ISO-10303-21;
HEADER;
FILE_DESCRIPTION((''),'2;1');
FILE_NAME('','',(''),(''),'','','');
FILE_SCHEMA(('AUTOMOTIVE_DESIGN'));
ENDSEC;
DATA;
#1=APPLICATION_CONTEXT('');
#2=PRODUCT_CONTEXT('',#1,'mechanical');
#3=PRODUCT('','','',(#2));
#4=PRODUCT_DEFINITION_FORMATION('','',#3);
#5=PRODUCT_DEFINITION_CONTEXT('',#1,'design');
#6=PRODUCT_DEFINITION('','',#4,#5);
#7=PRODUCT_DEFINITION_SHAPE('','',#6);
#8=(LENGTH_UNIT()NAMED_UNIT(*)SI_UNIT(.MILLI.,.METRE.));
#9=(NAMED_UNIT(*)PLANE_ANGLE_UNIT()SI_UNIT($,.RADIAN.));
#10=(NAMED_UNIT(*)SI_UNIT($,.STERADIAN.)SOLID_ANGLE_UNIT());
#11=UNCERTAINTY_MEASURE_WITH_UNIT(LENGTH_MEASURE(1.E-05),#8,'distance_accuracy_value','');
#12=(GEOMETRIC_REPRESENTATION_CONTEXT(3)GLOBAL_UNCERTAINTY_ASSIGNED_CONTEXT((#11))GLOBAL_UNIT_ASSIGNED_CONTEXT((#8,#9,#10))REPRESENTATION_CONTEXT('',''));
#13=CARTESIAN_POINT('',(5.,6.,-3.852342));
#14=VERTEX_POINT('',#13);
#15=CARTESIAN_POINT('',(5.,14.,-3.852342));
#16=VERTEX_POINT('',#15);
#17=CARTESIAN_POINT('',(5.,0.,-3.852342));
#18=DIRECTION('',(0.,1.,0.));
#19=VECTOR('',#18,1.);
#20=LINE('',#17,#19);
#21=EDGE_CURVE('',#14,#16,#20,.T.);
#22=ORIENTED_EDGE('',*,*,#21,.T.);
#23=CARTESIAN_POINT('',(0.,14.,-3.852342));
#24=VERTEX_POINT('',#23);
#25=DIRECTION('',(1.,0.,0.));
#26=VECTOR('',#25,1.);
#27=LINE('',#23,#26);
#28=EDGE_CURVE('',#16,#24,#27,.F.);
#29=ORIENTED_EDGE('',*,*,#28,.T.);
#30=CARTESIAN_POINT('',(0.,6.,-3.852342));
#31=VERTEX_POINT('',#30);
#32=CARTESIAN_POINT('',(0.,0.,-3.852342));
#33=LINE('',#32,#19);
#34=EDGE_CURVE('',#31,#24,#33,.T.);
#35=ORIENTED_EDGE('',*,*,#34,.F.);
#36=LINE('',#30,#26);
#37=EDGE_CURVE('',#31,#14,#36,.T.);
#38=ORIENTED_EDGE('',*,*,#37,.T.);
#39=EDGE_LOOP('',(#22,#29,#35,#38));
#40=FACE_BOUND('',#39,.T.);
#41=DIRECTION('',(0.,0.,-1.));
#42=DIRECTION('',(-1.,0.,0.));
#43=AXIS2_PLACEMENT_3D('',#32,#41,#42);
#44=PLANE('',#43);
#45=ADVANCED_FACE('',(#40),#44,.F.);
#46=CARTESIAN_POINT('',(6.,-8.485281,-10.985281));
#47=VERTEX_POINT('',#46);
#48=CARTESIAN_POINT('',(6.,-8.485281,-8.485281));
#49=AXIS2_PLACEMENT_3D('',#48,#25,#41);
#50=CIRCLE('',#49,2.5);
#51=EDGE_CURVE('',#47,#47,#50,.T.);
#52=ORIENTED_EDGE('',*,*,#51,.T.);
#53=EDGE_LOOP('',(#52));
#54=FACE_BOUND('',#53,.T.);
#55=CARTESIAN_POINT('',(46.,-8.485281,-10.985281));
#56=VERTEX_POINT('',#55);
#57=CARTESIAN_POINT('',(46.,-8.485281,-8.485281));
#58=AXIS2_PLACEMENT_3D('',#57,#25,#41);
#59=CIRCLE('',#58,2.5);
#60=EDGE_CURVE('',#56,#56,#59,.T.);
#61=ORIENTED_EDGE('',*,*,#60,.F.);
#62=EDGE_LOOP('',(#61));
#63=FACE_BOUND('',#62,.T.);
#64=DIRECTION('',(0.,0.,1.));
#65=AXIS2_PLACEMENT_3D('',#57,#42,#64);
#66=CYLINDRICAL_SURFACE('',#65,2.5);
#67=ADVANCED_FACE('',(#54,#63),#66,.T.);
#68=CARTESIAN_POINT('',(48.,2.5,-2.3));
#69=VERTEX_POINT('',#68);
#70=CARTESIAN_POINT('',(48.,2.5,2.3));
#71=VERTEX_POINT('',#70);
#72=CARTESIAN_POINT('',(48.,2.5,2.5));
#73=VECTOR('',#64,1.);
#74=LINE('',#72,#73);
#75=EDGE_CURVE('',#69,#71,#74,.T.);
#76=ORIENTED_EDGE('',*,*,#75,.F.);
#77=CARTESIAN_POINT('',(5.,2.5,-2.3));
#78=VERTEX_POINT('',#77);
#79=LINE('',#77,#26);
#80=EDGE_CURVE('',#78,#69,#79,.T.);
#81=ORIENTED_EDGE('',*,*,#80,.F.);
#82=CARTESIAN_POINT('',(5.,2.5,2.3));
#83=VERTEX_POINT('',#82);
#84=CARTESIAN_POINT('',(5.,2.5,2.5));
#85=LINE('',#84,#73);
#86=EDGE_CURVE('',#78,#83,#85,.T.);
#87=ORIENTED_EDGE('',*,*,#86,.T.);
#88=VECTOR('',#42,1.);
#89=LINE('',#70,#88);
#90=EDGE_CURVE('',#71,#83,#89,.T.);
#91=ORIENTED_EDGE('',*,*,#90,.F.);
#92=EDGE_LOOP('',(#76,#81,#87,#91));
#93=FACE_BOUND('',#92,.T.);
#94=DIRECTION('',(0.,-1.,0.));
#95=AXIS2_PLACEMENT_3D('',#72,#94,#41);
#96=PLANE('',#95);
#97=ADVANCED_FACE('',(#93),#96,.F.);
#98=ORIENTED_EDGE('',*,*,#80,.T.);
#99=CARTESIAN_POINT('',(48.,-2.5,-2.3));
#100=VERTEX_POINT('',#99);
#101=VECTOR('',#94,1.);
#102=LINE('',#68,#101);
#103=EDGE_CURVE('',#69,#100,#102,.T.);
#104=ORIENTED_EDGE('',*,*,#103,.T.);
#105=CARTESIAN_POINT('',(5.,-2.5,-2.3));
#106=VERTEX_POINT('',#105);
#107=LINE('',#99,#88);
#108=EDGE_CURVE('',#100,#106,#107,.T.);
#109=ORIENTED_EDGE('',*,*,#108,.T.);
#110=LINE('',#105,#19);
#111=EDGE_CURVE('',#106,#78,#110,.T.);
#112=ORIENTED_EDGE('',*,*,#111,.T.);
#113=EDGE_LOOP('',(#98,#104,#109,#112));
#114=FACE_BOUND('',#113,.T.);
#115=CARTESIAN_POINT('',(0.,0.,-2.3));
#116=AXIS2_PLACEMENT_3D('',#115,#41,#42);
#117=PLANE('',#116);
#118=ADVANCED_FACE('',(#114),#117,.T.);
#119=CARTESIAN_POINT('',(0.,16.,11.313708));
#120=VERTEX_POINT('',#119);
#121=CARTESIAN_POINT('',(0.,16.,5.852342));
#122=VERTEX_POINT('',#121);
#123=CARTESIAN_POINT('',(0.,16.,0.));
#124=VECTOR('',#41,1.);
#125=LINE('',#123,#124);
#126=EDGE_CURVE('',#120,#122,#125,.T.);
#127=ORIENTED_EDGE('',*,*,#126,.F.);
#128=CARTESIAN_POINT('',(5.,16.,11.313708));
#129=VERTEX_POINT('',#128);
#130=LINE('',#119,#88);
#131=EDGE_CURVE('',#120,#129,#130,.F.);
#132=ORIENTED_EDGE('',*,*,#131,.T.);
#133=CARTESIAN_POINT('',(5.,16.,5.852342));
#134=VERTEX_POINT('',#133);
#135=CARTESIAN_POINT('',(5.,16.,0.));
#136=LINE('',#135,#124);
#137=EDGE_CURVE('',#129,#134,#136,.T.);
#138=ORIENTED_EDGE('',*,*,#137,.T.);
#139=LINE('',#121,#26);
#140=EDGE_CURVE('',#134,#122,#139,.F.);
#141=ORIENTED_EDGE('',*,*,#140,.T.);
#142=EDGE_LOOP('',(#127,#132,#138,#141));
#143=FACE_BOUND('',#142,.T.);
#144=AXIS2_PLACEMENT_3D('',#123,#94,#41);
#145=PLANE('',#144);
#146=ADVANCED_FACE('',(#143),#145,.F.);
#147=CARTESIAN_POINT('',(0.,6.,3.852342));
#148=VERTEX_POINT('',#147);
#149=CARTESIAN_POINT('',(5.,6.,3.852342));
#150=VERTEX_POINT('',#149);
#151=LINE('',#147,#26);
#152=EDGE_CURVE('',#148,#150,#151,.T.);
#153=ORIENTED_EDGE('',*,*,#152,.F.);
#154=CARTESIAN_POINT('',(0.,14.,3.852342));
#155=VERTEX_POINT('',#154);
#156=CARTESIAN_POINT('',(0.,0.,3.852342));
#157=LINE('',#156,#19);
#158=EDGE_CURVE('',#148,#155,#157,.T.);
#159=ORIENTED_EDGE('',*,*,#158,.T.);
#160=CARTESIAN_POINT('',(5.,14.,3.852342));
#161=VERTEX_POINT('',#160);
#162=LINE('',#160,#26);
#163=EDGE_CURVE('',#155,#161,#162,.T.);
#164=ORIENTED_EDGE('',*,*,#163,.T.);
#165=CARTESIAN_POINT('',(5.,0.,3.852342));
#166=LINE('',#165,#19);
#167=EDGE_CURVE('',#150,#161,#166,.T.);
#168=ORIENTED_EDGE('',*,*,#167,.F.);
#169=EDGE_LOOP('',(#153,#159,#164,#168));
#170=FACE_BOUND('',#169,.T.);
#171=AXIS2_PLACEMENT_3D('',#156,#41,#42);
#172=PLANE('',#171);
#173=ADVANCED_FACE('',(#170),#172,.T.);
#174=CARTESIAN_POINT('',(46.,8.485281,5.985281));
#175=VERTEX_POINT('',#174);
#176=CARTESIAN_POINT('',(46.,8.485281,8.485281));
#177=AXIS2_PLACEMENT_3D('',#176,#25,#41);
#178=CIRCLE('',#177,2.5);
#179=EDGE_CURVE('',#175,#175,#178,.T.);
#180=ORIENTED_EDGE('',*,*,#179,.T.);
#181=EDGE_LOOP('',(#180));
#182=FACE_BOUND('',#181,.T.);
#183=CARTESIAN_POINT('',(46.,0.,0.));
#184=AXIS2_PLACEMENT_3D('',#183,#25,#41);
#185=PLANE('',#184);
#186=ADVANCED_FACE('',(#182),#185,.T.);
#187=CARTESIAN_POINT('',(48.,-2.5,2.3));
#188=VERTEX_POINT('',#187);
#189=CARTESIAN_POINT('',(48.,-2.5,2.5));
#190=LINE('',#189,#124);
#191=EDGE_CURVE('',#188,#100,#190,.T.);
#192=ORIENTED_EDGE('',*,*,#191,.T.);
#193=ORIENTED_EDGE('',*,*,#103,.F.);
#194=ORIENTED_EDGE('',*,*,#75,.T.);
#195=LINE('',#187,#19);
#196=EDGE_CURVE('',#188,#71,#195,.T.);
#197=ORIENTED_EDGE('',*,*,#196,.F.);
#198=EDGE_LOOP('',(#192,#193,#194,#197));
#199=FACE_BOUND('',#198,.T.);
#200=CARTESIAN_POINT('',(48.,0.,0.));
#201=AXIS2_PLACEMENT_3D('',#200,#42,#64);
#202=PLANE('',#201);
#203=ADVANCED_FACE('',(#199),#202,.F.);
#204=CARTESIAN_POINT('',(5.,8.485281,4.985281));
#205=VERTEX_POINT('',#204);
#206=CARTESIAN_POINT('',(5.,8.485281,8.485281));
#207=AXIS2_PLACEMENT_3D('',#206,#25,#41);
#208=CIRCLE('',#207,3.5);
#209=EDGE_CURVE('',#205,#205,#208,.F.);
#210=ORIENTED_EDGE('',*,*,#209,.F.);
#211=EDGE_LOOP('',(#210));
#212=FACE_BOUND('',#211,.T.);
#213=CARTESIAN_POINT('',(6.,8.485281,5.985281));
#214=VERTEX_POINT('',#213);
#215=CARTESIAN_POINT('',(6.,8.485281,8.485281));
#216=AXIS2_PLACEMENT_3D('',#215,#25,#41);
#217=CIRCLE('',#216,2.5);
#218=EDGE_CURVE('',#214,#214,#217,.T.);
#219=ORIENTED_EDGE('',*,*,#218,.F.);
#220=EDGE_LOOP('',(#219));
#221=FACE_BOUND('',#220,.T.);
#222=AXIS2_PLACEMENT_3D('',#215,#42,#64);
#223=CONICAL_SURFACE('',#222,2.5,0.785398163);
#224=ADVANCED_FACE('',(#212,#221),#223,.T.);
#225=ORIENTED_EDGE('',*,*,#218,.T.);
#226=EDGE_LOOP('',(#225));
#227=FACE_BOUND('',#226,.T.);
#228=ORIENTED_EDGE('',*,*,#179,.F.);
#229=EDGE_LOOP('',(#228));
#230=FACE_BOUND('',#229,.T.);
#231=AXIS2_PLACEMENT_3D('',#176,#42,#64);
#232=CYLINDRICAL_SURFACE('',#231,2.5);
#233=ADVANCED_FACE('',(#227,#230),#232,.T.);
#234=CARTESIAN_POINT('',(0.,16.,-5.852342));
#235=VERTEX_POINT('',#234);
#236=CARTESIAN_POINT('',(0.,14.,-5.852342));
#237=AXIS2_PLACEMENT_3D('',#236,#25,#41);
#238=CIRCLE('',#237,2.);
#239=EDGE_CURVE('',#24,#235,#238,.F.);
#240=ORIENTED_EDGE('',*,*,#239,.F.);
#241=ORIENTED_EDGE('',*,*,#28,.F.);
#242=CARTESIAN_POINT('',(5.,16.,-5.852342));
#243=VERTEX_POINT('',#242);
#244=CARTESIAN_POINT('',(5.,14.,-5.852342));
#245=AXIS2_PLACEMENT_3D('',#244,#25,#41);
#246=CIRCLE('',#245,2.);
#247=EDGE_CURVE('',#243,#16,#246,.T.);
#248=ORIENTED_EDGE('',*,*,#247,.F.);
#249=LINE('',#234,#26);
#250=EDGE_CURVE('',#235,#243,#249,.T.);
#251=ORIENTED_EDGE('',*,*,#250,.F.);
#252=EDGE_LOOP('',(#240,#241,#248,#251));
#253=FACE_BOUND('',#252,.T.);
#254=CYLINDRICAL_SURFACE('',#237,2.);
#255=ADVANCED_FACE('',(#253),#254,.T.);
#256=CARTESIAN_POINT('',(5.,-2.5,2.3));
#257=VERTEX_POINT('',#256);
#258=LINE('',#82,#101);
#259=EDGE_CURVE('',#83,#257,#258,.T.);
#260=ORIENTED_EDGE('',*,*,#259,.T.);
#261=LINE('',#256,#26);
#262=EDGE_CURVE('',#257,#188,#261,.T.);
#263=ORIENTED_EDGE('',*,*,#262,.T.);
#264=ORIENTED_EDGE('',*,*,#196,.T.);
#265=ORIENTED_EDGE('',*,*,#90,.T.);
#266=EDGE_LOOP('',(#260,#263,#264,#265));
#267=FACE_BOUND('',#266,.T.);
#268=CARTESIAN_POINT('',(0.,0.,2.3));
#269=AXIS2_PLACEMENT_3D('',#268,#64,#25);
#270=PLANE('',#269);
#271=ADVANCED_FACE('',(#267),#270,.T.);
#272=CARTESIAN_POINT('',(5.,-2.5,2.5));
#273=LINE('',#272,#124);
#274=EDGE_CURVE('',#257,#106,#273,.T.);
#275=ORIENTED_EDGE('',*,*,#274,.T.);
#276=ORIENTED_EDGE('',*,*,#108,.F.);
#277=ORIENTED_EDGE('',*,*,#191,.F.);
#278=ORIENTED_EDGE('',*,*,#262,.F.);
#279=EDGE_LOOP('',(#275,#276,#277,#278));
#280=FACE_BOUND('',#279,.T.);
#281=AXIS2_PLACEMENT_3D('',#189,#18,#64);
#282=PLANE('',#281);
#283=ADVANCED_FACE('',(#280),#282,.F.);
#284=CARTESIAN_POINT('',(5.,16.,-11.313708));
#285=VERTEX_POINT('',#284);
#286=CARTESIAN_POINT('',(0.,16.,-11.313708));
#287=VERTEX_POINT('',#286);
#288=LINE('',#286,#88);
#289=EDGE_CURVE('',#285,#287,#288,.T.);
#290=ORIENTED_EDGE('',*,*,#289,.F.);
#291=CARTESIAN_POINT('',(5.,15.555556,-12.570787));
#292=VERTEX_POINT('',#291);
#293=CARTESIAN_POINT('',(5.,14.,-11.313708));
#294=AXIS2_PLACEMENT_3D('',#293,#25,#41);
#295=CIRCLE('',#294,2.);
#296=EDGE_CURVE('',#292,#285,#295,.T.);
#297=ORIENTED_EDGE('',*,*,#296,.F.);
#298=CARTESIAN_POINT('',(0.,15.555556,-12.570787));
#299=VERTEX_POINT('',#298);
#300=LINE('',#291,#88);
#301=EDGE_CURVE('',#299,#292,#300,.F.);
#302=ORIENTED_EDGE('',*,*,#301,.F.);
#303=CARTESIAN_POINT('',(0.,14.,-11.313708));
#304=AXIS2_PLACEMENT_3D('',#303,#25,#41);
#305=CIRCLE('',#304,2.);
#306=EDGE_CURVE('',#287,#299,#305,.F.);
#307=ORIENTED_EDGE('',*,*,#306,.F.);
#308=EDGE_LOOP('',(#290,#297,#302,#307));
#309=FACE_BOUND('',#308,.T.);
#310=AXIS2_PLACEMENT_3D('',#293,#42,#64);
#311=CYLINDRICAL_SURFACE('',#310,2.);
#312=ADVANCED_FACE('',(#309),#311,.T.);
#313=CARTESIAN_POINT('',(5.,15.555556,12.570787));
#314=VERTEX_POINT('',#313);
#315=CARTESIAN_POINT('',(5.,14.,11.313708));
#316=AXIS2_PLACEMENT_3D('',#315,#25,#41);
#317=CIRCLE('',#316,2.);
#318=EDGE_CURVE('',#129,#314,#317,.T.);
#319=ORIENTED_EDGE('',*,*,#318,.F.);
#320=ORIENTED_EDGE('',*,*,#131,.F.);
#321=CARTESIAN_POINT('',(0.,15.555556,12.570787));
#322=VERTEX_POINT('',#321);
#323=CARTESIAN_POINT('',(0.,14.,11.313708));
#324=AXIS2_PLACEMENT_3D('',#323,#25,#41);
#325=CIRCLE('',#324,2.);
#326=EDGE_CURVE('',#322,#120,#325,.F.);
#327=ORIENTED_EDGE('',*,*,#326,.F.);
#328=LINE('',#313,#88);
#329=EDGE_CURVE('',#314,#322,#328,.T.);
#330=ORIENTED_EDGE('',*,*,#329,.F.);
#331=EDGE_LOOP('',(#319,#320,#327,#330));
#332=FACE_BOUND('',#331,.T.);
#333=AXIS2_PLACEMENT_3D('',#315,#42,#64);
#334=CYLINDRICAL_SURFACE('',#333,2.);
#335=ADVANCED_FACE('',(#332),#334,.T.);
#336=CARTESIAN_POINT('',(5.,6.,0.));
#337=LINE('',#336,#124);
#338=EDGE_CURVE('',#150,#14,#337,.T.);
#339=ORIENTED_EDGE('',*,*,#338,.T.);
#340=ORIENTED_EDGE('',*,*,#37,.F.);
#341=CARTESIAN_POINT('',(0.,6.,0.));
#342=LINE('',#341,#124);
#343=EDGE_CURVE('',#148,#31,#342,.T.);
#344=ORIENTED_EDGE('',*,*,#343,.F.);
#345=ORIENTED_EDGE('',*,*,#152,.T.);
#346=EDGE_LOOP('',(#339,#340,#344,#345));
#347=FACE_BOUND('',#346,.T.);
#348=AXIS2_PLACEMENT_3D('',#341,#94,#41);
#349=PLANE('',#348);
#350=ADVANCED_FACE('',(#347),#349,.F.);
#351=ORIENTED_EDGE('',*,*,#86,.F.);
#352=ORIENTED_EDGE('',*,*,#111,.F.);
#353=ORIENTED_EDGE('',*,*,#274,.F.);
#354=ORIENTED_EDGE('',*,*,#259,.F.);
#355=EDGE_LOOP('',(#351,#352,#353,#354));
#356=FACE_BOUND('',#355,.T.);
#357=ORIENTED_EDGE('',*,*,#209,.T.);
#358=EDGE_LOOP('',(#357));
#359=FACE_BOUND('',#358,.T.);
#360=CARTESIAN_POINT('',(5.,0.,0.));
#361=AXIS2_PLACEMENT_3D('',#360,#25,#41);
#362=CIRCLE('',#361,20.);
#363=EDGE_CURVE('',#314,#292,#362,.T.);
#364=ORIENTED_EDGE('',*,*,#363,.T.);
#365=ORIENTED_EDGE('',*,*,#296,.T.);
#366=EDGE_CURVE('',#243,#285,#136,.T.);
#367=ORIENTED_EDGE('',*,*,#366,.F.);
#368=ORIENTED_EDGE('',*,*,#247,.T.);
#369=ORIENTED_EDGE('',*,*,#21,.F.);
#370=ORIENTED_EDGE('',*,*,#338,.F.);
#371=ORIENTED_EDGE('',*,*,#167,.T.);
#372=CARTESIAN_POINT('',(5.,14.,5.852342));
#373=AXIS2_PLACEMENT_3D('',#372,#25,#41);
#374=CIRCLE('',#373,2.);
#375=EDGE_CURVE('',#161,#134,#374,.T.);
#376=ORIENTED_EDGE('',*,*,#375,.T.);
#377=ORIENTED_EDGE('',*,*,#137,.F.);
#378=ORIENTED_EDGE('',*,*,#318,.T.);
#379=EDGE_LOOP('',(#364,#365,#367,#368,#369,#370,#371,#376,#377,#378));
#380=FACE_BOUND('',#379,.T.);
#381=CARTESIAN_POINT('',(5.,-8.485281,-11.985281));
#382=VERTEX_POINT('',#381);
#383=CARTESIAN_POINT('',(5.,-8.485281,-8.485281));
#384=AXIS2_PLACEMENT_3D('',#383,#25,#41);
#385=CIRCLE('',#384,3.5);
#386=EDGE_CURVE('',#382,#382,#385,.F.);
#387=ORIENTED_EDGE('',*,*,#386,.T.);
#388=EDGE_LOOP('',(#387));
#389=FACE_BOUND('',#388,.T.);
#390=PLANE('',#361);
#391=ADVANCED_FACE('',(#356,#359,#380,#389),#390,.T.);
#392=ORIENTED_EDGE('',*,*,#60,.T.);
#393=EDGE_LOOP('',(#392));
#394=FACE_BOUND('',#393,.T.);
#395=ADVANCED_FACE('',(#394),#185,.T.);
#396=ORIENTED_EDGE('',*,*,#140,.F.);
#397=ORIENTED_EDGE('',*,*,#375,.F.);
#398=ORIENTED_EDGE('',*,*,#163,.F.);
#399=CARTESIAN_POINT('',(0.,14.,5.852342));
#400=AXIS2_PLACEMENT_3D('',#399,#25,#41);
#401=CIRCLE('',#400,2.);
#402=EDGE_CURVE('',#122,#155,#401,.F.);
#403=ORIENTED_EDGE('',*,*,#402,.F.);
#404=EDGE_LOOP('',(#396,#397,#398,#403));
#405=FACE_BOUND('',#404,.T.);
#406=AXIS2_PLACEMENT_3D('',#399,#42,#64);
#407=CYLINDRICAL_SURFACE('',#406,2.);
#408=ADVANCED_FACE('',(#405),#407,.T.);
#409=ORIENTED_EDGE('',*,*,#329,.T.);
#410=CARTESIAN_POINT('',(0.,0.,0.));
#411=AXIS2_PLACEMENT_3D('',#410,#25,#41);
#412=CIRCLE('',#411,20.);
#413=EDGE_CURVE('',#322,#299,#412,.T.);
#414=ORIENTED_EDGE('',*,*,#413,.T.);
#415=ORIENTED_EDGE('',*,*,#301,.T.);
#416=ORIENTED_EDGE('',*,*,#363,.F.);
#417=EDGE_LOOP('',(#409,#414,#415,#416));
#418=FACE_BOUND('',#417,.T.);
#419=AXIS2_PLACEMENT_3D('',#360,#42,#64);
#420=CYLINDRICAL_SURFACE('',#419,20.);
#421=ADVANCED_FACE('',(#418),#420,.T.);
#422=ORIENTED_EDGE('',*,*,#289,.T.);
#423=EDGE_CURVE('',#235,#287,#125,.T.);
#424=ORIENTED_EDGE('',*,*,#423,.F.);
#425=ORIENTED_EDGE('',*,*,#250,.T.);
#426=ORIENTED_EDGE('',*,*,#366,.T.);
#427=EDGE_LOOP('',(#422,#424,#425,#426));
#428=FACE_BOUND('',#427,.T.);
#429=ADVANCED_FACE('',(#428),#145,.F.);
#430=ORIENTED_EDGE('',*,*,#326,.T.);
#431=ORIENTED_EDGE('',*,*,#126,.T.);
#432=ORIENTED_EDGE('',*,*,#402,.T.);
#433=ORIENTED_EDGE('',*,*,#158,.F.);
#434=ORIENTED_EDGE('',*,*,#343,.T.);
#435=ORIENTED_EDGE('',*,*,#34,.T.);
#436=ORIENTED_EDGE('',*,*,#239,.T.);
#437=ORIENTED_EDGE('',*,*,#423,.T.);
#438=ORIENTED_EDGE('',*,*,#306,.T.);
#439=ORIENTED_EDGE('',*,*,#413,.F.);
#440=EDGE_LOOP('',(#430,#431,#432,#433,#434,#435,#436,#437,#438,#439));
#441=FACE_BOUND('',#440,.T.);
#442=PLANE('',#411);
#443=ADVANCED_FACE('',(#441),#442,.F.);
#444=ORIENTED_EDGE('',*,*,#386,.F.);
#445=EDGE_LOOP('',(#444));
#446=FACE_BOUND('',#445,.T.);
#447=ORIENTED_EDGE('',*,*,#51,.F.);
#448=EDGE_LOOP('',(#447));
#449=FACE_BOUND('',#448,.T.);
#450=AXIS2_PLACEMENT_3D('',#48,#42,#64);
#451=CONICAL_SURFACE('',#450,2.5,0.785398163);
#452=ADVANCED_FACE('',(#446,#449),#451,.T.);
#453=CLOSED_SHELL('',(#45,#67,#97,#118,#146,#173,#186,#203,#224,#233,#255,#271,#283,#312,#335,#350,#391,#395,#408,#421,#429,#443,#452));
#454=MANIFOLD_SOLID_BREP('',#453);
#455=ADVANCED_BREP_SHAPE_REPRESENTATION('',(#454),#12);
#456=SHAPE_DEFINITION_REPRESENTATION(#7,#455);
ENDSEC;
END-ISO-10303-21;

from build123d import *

# Parameters (mm, degrees)
SKETCH2_R           = 20
BOSS_EXTRUDE2_DEPTH = 5
SKETCH3_W           = 5
SKETCH3_H           = 5
BOSS_EXTRUDE3_DEPTH = 43
SKETCH4_R           = 2.5
BOSS_EXTRUDE4_DEPTH = 41
SKETCH5_W           = 7.704684196
SKETCH5_H           = 10
CUT_EXTRUDE1_DEPTH  = 52.46843693
FILLET1_R           = 2
CHAMFER1_SIZE       = 1
SKETCH6_W           = 43
SKETCH6_H           = 5
CUT_EXTRUDE2_DEPTH  = 0.2
SKETCH7_W           = 43
SKETCH7_H           = 5
CUT_EXTRUDE3_DEPTH  = 0.2


with BuildPart() as part:
    # Sketch2 → Boss-Extrude2 (new body)
    with BuildSketch(Plane(origin=(0, 0, 0), x_dir=(0, 0, -1), z_dir=(1, 0, 0))):
        Circle(SKETCH2_R)
    extrude(amount=BOSS_EXTRUDE2_DEPTH)

    # Sketch3 → Boss-Extrude3 (add)
    with BuildSketch(Plane(origin=(5, 0, 0), x_dir=(0, 0, -1), z_dir=(1, 0, 0))):
        Rectangle(SKETCH3_W, SKETCH3_H)
    extrude(amount=BOSS_EXTRUDE3_DEPTH)

    # Sketch4 → Boss-Extrude4 (add)
    with BuildSketch(Plane(origin=(5, 0, 0), x_dir=(0, 0, -1), z_dir=(1, 0, 0))):
        with Locations((-8.485281374, 8.485281374)):
            Circle(SKETCH4_R)
        with Locations((8.485281374, -8.485281374)):
            Circle(SKETCH4_R)
    extrude(amount=BOSS_EXTRUDE4_DEPTH)

    # Sketch5 → Cut-Extrude1 (cut, through all)
    with BuildSketch(Plane(origin=(5, 0, 0), x_dir=(0, 0, -1), z_dir=(1, 0, 0))):
        with BuildLine():
            Line((-12, 16), (-3.852342098, 16))
            Line((-3.852342098, 16), (-3.852342098, 19.625479876))
            ThreePointArc((-3.852342098, 19.625479876), (-8.130818752, 18.272651324), (-12, 16))
        make_face()
        with BuildLine():
            Line((-3.852342098, 19.625479876), (-3.852342098, 16))
            Line((-3.852342098, 16), (3.852342098, 16))
            Line((3.852342098, 16), (3.852342098, 19.625479876))
            ThreePointArc((3.852342098, 19.625479876), (1.935252254, 19.906149771), (2.3e-08, 20))
            ThreePointArc((2.3e-08, 20), (-1.935252231, 19.906149773), (-3.852342098, 19.625479876))
        make_face()
        with BuildLine():
            Line((3.852342098, 19.625479876), (3.852342098, 16))
            Line((3.852342098, 16), (12, 16))
            ThreePointArc((12, 16), (8.130818752, 18.272651324), (3.852342098, 19.625479876))
        make_face()
        with Locations((0, 11)):
            Rectangle(SKETCH5_W, SKETCH5_H)
    extrude(amount=-CUT_EXTRUDE1_DEPTH, mode=Mode.SUBTRACT)

    # Fillet1
    fillet1_edges = [part.edges().sort_by_distance(p)[0] for p in [
        (2.5, 16, 12),
        (2.5, 16, -12),
        (2.5, 16, -3.852342098),
        (2.5, 16, 3.852342098),
    ]]
    fillet(fillet1_edges, radius=FILLET1_R)

    # Chamfer1
    chamfer1_edges = [part.edges().sort_by_distance(p)[0] for p in [
        (5, 8.485281374, 10.985281374),
        (5, -8.485281374, -5.985281374),
    ]]
    chamfer(chamfer1_edges, length=CHAMFER1_SIZE)

    # Sketch6 → Cut-Extrude2 (cut)
    with BuildSketch(Plane(origin=(0, 0, -2.5), x_dir=(-1, 0, 0), z_dir=(0, 0, -1))):
        with Locations((-26.5, 0)):
            Rectangle(SKETCH6_W, SKETCH6_H)
    extrude(amount=-CUT_EXTRUDE2_DEPTH, mode=Mode.SUBTRACT)

    # Sketch7 → Cut-Extrude3 (cut)
    with BuildSketch(Plane.XY.offset(2.5)):
        with Locations((26.5, 0)):
            Rectangle(SKETCH7_W, SKETCH7_H)
    extrude(amount=-CUT_EXTRUDE3_DEPTH, mode=Mode.SUBTRACT)


solid = part.part
